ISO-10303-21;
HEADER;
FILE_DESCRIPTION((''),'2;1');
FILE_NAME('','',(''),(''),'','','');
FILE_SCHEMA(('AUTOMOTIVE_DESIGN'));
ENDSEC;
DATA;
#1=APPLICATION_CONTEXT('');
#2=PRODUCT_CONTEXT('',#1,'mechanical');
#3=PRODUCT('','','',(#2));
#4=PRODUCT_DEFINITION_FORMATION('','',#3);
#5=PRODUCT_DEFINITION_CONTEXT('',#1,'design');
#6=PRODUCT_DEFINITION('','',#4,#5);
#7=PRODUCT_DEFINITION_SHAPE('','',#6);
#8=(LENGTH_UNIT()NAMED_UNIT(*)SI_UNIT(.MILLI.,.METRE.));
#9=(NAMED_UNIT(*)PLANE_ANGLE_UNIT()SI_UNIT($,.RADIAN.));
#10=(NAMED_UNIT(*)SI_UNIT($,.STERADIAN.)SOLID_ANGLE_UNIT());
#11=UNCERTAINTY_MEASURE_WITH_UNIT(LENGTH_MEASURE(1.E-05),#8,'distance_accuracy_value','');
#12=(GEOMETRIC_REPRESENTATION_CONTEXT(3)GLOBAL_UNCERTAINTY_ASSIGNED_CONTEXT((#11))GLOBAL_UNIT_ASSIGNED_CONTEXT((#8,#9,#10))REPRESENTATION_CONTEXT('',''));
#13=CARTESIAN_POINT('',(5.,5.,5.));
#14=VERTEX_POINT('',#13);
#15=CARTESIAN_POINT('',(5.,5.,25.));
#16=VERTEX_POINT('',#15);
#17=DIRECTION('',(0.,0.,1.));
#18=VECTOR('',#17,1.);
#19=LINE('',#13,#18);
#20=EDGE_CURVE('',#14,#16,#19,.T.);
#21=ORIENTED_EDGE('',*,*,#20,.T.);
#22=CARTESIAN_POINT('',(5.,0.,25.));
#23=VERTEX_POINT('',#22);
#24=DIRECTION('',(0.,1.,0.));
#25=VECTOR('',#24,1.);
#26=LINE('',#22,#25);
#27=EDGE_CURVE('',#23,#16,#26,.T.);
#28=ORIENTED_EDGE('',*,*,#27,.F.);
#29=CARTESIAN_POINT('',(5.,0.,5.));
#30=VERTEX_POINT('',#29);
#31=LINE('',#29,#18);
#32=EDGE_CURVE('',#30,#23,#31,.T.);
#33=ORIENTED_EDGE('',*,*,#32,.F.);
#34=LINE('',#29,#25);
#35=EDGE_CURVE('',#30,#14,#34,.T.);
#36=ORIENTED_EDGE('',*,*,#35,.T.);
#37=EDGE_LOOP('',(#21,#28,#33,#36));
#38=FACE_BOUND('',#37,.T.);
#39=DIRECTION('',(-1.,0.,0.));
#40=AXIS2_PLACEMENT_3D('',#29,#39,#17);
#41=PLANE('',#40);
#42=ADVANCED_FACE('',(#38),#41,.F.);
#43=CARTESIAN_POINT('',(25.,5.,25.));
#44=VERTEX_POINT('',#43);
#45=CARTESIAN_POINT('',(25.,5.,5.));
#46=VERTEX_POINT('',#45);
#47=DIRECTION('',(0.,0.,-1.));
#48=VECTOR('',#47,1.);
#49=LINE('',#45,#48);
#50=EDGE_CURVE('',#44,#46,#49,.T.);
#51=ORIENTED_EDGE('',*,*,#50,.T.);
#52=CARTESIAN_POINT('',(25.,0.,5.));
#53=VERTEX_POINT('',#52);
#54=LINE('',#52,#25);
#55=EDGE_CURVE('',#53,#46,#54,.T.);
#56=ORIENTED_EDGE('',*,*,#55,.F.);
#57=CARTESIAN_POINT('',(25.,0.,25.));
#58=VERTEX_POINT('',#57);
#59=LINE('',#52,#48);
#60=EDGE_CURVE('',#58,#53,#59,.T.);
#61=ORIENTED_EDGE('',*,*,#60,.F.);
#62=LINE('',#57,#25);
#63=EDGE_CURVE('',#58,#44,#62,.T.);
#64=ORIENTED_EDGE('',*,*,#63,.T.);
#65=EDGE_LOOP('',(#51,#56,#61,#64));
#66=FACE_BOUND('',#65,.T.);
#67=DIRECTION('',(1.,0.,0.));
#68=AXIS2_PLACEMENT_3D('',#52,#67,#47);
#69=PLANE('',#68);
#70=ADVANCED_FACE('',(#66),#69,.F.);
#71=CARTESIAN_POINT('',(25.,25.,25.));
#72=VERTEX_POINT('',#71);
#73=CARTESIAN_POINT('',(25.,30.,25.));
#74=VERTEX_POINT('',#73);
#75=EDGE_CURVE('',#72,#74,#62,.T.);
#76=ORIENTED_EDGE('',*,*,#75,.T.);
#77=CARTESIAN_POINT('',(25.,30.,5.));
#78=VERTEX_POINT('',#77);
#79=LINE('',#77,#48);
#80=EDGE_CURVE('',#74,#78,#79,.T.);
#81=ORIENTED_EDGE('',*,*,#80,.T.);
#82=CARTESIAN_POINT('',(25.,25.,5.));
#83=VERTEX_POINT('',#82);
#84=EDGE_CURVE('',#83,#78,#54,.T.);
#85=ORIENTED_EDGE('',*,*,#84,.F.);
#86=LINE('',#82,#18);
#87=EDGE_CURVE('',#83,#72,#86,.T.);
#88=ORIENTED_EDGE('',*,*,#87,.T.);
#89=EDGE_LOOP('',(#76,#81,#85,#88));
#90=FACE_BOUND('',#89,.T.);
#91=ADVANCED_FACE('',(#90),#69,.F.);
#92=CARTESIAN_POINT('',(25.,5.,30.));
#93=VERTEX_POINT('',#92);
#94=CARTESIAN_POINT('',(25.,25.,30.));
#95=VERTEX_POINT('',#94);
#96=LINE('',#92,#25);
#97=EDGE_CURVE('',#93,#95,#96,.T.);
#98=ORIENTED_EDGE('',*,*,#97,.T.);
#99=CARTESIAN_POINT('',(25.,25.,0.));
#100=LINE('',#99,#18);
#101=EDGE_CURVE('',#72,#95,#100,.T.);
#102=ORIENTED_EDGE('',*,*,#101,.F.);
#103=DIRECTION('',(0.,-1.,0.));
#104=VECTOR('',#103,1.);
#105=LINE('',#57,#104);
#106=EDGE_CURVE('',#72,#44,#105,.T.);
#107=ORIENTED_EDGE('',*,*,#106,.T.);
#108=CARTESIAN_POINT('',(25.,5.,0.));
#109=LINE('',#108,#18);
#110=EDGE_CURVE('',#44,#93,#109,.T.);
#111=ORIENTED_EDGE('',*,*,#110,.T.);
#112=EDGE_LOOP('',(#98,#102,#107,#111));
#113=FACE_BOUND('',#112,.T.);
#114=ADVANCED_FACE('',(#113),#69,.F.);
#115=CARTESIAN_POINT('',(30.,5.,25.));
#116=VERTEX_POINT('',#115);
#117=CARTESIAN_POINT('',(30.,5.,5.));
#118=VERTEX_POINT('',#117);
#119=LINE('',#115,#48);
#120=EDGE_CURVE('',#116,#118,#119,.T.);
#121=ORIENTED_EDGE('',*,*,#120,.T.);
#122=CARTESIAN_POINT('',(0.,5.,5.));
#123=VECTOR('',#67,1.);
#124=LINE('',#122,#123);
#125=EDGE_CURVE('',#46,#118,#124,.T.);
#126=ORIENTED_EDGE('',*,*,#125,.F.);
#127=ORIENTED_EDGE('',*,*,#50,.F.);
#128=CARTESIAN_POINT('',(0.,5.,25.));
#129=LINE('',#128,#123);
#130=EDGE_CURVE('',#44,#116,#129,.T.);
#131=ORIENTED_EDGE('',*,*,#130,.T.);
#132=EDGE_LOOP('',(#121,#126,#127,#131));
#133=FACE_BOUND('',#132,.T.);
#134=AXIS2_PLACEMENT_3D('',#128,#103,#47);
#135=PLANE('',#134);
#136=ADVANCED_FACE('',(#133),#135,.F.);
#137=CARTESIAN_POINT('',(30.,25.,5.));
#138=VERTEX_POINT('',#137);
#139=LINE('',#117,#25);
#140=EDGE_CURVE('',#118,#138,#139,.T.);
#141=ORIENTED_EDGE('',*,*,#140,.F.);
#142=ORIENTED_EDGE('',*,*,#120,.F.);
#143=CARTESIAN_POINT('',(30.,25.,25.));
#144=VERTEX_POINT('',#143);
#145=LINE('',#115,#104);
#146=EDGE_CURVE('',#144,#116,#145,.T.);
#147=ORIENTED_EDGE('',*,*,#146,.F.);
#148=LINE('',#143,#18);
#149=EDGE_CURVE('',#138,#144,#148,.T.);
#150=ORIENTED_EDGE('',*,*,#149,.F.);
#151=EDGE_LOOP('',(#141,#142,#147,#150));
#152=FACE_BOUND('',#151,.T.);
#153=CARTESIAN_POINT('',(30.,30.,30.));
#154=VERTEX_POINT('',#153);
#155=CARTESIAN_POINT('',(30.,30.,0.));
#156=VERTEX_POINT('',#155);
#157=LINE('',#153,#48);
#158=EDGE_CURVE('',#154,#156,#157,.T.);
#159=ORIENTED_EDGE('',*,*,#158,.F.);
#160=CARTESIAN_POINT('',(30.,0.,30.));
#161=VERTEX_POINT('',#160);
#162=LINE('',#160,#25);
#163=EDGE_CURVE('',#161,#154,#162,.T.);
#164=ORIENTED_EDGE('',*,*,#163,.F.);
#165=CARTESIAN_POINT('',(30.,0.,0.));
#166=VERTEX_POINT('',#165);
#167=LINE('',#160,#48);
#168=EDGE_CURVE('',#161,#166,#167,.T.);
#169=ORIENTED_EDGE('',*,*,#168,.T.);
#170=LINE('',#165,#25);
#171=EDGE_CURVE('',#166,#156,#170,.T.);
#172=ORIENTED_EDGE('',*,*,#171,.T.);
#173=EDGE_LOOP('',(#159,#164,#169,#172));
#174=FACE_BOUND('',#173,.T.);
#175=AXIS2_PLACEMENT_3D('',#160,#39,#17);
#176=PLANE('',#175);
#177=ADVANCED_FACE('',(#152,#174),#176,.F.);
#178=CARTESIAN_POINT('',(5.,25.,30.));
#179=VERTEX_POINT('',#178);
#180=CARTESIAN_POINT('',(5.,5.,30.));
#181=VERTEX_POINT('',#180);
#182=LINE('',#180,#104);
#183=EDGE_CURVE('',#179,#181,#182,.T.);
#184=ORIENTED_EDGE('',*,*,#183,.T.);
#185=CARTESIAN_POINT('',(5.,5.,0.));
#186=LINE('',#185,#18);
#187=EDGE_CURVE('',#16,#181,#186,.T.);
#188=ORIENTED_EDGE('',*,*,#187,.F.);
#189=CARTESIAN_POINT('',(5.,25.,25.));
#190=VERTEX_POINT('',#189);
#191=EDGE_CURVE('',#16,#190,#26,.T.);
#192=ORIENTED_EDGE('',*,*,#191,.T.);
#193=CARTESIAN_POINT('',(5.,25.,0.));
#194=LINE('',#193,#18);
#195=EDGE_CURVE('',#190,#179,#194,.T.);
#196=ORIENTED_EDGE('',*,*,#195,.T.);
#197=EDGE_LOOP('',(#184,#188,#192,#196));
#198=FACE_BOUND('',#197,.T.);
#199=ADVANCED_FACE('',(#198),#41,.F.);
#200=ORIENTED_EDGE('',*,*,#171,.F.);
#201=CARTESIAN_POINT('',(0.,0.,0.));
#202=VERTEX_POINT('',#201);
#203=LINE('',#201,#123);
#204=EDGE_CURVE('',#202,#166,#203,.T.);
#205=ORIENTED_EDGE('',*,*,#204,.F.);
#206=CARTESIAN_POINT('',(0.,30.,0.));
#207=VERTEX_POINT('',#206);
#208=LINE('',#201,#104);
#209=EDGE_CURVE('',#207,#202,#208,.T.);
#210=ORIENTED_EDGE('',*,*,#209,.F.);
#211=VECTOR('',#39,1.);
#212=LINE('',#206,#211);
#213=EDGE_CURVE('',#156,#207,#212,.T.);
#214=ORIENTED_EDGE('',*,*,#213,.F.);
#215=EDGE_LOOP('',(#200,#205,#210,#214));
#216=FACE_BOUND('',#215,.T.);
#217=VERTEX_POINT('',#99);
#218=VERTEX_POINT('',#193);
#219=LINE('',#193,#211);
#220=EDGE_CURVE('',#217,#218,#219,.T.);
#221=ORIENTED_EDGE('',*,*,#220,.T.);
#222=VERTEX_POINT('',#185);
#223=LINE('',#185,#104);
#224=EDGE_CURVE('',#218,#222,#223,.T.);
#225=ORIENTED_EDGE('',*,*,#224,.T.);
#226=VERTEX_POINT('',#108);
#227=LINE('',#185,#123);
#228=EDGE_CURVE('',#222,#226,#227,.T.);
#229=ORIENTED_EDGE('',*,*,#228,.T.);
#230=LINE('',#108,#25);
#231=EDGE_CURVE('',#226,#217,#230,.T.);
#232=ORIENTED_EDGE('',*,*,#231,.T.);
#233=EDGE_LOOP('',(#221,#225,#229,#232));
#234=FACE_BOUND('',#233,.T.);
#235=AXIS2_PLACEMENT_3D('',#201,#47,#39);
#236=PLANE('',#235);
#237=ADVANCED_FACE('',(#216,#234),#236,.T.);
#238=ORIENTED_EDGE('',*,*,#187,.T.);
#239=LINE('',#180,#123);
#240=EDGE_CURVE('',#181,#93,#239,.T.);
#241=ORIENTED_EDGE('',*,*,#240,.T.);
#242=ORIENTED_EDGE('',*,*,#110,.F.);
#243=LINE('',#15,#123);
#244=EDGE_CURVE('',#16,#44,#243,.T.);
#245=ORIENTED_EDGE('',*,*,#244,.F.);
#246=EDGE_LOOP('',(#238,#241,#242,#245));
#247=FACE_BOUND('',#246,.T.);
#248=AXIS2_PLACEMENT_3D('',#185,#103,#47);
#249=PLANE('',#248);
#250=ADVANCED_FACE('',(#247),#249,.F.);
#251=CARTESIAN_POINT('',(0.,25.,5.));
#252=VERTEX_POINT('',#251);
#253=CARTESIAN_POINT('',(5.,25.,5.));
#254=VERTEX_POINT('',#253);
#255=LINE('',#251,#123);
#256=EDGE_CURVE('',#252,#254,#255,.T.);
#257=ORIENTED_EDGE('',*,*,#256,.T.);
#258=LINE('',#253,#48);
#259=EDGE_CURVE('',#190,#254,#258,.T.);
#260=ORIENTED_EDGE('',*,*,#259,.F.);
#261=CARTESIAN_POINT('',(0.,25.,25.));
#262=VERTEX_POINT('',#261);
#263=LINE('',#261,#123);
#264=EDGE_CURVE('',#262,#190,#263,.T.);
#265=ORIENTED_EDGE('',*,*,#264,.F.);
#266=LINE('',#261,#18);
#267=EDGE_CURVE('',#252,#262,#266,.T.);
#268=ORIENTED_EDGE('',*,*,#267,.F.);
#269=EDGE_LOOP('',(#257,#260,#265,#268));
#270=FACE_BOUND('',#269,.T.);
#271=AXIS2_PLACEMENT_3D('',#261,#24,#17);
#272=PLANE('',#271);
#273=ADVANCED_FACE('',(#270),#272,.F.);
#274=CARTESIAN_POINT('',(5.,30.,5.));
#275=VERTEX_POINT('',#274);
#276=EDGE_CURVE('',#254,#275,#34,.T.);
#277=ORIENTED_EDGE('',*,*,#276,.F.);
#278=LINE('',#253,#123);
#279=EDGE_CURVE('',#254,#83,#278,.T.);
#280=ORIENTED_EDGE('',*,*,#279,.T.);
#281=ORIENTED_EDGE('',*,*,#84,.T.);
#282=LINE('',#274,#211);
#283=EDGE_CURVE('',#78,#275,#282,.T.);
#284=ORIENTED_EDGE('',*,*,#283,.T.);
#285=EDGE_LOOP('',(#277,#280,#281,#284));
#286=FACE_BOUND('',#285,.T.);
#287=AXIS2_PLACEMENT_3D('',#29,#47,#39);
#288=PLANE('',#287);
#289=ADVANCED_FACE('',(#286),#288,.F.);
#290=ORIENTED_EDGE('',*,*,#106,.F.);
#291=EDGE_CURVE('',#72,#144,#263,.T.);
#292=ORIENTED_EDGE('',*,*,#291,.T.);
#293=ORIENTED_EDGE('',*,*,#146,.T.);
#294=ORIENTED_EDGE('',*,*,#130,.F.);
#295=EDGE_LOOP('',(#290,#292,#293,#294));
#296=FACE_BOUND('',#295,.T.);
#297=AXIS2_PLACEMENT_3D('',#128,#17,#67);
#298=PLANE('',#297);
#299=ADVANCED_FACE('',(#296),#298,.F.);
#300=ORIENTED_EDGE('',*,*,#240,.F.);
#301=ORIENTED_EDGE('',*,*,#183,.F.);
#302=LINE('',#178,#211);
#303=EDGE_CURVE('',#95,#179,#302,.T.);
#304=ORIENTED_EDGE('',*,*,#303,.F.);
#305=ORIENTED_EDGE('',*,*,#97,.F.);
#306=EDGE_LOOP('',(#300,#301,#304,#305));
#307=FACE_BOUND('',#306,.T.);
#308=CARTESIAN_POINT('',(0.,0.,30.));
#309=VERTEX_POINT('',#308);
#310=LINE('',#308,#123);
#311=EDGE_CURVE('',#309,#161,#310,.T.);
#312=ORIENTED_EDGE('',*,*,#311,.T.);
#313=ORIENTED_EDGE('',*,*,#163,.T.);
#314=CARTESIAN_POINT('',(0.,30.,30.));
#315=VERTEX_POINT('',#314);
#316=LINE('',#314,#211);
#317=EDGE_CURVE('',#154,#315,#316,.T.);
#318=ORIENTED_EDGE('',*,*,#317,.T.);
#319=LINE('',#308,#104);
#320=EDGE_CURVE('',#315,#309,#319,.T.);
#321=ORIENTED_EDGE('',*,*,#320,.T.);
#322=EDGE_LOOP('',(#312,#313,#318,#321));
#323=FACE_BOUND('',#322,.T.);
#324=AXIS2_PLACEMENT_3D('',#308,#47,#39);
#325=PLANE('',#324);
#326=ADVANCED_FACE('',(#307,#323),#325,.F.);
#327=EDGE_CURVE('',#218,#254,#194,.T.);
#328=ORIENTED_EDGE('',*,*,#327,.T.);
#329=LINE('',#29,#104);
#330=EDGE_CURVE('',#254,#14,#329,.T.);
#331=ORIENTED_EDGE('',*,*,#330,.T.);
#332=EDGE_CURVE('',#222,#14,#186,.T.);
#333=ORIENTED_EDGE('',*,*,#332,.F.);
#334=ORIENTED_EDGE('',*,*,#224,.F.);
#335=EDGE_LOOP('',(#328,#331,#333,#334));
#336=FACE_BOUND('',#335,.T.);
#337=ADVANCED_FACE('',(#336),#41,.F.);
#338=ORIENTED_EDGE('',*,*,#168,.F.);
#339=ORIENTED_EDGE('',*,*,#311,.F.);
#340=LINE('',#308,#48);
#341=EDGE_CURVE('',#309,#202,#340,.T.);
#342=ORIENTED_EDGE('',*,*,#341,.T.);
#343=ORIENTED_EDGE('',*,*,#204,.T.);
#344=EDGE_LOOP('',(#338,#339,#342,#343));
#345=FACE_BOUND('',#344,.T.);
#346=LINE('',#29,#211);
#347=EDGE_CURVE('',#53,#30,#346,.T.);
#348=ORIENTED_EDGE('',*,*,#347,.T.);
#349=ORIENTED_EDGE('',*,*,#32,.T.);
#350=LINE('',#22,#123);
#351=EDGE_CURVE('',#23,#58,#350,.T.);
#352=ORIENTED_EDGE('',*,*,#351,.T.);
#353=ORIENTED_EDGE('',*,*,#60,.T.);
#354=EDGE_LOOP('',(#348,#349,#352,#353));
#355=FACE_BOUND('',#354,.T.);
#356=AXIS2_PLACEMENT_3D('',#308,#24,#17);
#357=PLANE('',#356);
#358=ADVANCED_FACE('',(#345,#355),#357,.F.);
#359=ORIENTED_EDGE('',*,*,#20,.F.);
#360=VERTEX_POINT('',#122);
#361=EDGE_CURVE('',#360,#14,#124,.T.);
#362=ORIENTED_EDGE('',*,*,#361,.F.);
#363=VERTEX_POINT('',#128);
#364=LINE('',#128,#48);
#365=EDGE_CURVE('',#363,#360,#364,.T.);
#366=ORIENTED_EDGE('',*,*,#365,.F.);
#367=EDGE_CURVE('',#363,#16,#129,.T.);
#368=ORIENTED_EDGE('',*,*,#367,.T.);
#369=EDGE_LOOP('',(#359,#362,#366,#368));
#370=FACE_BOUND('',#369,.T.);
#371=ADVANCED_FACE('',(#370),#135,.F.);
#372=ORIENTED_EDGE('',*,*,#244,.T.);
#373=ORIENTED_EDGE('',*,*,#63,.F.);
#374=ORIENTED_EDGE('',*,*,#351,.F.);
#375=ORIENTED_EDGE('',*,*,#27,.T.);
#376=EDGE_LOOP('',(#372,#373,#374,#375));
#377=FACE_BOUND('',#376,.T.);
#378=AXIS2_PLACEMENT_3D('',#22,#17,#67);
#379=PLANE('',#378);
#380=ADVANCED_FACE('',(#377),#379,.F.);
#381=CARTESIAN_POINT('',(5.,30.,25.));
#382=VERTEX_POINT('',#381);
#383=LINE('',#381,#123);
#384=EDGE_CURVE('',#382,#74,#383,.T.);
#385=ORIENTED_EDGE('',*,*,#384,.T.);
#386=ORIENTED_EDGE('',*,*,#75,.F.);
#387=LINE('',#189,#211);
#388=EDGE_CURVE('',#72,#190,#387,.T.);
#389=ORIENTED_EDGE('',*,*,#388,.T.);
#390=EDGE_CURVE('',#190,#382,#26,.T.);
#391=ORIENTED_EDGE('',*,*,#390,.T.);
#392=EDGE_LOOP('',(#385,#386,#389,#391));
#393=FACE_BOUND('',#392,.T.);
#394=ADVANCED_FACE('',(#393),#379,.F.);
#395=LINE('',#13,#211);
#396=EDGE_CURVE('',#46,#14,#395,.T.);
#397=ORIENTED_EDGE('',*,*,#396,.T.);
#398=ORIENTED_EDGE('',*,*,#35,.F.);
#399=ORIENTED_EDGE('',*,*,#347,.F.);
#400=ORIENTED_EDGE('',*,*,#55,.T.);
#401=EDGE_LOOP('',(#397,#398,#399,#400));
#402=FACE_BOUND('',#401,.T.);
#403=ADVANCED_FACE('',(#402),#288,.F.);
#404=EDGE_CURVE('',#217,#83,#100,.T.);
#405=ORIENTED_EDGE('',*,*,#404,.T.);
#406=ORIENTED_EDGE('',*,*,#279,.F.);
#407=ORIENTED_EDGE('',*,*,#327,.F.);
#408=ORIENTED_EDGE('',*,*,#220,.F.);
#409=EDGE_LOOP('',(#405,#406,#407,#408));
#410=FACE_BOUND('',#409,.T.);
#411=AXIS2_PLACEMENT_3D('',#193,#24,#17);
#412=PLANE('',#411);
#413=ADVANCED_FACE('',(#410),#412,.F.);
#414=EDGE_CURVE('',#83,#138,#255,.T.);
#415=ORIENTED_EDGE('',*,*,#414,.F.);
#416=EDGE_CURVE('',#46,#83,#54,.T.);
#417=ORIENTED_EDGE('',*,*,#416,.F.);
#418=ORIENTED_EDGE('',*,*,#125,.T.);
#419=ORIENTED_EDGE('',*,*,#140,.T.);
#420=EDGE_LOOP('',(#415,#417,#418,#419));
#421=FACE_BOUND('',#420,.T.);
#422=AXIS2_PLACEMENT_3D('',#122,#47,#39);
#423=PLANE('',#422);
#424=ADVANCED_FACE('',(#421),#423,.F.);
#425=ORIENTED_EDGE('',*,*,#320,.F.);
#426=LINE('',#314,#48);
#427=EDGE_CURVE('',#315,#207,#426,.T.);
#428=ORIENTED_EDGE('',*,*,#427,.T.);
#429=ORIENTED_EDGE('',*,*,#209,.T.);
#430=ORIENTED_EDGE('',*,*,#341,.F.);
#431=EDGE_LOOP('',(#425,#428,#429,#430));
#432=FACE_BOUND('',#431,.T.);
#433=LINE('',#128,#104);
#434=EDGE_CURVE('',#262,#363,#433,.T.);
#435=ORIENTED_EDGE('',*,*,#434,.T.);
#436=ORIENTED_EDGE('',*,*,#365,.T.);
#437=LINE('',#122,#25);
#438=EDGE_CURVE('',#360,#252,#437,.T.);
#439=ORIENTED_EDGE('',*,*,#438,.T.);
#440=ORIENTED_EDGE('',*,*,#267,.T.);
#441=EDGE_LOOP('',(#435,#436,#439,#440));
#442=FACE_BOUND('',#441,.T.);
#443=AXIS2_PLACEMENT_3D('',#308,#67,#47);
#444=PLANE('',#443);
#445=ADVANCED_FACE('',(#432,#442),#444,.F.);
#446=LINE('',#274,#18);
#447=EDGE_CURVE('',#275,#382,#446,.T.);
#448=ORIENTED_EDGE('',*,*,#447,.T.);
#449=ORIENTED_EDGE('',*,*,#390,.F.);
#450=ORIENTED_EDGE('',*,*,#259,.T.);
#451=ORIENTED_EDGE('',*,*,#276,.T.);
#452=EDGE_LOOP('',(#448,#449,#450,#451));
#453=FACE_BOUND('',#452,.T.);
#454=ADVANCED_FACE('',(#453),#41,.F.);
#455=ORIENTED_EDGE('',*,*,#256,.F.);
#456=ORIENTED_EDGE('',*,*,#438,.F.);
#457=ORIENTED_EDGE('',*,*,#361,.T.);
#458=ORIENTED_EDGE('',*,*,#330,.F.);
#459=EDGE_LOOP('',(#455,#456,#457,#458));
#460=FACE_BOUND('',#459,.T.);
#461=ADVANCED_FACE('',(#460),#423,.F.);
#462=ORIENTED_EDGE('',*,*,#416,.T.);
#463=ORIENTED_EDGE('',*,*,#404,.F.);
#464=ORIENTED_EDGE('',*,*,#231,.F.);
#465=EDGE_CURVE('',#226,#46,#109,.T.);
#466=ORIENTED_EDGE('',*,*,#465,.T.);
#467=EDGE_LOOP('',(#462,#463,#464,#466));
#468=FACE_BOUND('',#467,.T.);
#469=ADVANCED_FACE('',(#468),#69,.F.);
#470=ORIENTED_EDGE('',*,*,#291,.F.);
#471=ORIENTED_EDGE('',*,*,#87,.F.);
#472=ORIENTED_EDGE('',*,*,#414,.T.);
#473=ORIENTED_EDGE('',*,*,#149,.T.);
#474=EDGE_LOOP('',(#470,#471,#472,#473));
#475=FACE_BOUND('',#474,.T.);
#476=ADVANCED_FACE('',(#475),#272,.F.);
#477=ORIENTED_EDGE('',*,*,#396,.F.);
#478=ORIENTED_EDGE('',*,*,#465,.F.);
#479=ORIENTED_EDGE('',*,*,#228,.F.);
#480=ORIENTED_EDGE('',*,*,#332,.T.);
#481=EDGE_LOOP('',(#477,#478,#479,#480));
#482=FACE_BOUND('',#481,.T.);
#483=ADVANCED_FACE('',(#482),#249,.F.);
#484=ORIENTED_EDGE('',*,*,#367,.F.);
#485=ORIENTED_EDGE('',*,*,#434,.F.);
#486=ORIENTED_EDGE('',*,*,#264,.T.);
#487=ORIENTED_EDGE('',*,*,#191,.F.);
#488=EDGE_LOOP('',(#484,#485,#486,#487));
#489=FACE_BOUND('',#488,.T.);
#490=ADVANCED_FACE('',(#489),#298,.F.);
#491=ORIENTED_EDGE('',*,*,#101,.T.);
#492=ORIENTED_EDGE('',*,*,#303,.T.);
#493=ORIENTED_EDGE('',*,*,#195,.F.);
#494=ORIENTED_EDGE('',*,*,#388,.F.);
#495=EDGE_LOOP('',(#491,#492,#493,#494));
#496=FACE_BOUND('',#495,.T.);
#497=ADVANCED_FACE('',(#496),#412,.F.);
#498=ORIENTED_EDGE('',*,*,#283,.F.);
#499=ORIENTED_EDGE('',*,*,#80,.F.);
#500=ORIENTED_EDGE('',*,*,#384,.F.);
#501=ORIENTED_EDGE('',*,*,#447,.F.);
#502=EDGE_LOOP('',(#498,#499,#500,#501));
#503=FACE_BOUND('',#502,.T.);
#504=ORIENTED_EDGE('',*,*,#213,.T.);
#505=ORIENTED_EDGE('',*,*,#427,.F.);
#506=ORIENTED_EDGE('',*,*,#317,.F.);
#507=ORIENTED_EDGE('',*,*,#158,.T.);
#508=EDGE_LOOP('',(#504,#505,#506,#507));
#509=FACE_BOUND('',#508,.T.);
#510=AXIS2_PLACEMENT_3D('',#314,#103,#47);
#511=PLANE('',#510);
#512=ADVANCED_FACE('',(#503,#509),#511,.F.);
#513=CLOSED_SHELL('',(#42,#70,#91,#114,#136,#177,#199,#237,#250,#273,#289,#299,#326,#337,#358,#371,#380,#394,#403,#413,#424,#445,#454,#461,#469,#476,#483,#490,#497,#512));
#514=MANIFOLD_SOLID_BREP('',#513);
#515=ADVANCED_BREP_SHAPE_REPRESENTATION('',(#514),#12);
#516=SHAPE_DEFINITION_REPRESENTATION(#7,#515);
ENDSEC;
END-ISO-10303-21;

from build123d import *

# Parameters (mm, degrees)
ESQUISSE1_W             = 30
ESQUISSE1_H             = 30
BOSS_EXTRU_1_DEPTH      = 30
ESQUISSE2_W             = 20
ESQUISSE2_H             = 20
ENL_V_MAT_EXTRU_1_DEPTH = 31
ESQUISSE3_W             = 20
ESQUISSE3_H             = 20
ENL_V_MAT_EXTRU_2_DEPTH = 31
ESQUISSE4_W             = 20
ESQUISSE4_H             = 20
ENL_V_MAT_EXTRU_3_DEPTH = 31


with BuildPart() as part:
    # Esquisse1 → Boss.-Extru.1 (new body)
    with BuildSketch(Plane.XY):
        with Locations((15, 15)):
            Rectangle(ESQUISSE1_W, ESQUISSE1_H)
    extrude(amount=BOSS_EXTRU_1_DEPTH)

    # Esquisse2 → Enlèv. mat.-Extru.1 (cut, through all)
    with BuildSketch(Plane(origin=(0, 30, 0), x_dir=(1, 0, 0), z_dir=(0, 1, 0))):
        with Locations((15, -15)):
            Rectangle(ESQUISSE2_W, ESQUISSE2_H)
    extrude(amount=-ENL_V_MAT_EXTRU_1_DEPTH, mode=Mode.SUBTRACT)

    # Esquisse3 → Enlèv. mat.-Extru.2 (cut, through all)
    with BuildSketch(Plane.XY.offset(30)):
        with Locations((15, 15)):
            Rectangle(ESQUISSE3_W, ESQUISSE3_H)
    extrude(amount=-ENL_V_MAT_EXTRU_2_DEPTH, mode=Mode.SUBTRACT)

    # Esquisse4 → Enlèv. mat.-Extru.3 (cut, through all)
    with BuildSketch(Plane(origin=(30, 0, 0), x_dir=(0, 0, -1), z_dir=(1, 0, 0))):
        with Locations((-15, 15)):
            Rectangle(ESQUISSE4_W, ESQUISSE4_H)
    extrude(amount=-ENL_V_MAT_EXTRU_3_DEPTH, mode=Mode.SUBTRACT)


solid = part.part
